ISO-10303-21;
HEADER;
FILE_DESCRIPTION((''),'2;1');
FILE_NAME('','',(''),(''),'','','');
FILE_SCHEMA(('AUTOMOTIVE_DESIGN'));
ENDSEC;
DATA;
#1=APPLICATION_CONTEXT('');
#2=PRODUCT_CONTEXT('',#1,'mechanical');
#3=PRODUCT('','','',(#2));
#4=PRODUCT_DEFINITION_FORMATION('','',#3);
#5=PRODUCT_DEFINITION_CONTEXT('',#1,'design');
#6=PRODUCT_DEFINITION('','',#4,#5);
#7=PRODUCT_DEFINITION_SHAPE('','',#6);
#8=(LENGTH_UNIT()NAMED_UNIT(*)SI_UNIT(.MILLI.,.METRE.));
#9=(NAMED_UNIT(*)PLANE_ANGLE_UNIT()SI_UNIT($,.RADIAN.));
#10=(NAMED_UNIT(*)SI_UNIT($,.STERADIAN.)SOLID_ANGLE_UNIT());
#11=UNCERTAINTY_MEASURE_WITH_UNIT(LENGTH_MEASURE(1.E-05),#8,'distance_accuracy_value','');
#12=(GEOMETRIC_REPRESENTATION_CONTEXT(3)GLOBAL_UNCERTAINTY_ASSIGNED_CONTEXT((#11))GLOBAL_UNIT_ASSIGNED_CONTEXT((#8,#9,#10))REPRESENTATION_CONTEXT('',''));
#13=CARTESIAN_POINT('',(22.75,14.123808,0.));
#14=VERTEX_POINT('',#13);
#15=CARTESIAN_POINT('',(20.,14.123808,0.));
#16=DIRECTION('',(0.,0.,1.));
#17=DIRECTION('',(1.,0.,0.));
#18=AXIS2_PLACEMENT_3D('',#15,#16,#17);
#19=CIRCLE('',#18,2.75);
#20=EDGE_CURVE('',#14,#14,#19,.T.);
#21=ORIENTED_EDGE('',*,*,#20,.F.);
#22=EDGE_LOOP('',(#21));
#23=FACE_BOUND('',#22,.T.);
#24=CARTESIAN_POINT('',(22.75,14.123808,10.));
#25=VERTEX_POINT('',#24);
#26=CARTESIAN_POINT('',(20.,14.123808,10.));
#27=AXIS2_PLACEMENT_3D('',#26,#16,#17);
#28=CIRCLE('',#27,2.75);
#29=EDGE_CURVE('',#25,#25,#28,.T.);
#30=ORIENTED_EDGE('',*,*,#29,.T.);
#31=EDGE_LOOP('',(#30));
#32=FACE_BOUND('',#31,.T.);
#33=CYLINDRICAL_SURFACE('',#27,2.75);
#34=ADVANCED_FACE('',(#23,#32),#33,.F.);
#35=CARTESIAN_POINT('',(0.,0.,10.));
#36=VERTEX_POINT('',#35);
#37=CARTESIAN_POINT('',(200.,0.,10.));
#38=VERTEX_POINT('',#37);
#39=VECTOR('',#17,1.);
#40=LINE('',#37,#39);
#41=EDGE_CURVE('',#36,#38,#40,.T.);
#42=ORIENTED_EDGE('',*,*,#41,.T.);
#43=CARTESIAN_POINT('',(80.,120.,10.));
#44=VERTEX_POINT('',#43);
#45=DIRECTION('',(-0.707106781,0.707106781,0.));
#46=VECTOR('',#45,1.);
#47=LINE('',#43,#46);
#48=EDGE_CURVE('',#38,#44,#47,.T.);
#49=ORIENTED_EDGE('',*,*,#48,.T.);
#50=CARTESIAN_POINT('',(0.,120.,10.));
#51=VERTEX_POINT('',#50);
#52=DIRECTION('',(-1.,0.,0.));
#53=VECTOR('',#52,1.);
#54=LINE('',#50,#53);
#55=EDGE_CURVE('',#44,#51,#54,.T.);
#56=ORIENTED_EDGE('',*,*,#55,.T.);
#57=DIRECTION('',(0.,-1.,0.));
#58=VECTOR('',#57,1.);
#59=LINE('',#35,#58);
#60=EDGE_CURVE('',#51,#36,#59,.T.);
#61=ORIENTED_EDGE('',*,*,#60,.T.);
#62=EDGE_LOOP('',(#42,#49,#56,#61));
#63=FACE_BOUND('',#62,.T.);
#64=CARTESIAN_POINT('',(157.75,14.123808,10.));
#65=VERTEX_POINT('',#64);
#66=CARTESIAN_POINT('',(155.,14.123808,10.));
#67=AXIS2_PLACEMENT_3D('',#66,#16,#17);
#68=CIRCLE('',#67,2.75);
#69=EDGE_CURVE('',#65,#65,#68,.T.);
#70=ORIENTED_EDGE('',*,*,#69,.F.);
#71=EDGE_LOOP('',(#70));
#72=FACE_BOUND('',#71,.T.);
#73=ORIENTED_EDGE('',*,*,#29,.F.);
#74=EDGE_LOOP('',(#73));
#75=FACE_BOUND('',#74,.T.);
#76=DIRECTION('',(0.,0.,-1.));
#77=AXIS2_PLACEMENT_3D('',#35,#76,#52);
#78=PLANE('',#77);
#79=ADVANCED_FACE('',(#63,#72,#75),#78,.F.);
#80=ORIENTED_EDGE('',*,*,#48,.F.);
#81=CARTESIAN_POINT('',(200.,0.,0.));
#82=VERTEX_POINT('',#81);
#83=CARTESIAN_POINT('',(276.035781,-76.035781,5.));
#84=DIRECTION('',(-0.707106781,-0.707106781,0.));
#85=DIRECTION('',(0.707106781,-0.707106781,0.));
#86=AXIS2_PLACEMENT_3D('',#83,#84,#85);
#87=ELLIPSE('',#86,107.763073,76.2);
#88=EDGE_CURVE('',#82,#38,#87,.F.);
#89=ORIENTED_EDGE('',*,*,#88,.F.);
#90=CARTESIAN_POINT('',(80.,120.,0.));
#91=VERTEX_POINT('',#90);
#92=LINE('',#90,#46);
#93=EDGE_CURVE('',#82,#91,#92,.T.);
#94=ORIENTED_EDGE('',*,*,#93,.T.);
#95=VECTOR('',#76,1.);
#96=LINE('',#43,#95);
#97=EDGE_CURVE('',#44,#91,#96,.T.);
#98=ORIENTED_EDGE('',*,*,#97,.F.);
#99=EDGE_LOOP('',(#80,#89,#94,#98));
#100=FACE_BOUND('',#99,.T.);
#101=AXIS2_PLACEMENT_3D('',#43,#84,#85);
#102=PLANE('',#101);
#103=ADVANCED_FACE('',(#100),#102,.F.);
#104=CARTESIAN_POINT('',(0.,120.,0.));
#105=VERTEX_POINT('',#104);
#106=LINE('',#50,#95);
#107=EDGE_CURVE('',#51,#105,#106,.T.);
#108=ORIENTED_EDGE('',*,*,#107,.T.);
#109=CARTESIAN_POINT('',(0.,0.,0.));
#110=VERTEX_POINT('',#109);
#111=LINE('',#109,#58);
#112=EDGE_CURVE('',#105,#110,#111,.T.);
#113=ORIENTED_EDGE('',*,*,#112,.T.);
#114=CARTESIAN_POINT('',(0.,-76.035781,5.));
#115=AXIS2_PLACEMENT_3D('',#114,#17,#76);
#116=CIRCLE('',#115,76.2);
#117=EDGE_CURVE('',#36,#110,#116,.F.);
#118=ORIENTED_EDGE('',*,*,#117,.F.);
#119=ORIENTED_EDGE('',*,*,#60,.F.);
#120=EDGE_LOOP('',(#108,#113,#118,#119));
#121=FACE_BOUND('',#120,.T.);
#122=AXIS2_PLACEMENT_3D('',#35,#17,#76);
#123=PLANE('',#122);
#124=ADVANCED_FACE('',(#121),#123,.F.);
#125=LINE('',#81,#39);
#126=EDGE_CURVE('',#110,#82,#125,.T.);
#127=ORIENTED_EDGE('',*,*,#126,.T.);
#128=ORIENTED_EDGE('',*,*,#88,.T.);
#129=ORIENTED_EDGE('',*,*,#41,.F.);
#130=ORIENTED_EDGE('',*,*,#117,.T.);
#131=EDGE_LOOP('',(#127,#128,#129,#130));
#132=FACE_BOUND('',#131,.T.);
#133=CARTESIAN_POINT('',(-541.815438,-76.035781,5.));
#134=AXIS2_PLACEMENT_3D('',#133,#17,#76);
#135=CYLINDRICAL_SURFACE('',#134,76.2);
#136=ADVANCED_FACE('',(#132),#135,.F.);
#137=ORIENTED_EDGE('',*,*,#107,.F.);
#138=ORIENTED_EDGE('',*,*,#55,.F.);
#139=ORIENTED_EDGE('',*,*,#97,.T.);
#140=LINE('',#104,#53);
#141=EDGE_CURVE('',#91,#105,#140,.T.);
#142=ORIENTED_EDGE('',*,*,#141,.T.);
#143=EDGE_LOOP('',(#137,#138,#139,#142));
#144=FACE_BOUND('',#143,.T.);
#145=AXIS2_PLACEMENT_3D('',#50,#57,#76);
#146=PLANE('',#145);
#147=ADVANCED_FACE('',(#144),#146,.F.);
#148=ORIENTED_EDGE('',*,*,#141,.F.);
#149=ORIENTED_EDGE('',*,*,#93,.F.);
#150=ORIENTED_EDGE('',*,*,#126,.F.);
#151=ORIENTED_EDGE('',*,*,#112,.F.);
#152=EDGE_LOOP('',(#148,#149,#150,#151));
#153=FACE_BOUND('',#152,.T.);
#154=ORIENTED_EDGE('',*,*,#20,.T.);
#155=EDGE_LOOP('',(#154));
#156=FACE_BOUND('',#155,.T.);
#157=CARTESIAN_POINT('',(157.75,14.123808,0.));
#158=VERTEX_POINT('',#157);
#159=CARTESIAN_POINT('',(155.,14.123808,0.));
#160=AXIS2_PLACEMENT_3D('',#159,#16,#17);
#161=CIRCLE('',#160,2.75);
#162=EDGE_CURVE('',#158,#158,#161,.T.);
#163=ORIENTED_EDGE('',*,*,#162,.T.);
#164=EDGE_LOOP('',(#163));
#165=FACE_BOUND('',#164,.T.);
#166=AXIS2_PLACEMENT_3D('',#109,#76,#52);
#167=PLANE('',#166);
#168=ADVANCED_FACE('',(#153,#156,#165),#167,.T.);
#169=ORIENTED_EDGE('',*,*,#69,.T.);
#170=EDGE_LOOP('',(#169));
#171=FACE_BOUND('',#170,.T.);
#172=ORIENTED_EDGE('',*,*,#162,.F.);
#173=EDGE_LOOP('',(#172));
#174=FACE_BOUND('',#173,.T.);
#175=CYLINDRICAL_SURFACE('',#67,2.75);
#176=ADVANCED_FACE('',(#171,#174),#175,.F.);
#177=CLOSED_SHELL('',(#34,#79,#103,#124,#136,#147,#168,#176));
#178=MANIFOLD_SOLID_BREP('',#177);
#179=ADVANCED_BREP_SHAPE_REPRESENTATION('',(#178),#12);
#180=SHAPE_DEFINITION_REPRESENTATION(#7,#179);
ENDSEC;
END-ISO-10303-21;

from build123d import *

# Parameters (mm, degrees)
BOSS_EXTRU_1_DEPTH           = 10
ENL_V_MAT_EXTRU_1_DEPTH      = 234.452350599
ENL_V_MAT_EXTRU_1_DEPTH_BACK = 234.452350599
D_GAGEMENT_M51_D             = 5.5


with BuildPart() as part:
    # Esquisse1 → Boss.-Extru.1 (new body)
    with BuildSketch(Plane.XY):
        Polygon((0, 0), (0, 120), (80, 120), (200, 0), align=None)
    extrude(amount=BOSS_EXTRU_1_DEPTH)

    # Esquisse2 → Enlèv. mat.-Extru.1 (cut, two sides: drawn at the far end of the back side and taken through both)
    with BuildSketch(Plane.ZY.offset(-ENL_V_MAT_EXTRU_1_DEPTH_BACK)):
        with BuildLine():
            Line((260.291322683, -16.458785536), (10, 0))
            ThreePointArc((10, 0), (5, 0.164218949), (0, 0))
            Line((0, 0), (-250.291322683, -16.458785536))
            Line((-250.291322683, -16.458785536), (-250.291322683, -518.122568688))
            Line((-250.291322683, -518.122568688), (260.291322683, -518.122568688))
            Line((260.291322683, -518.122568688), (260.291322683, -16.458785536))
        make_face()
    extrude(amount=ENL_V_MAT_EXTRU_1_DEPTH + ENL_V_MAT_EXTRU_1_DEPTH_BACK, mode=Mode.SUBTRACT)

    # Dégagement M51 (through all)
    with Locations(Plane.XY.offset(10)):
        with Locations((155, 14.123808081), (20, 14.123808081)):
            Hole(D_GAGEMENT_M51_D / 2)


solid = part.part
